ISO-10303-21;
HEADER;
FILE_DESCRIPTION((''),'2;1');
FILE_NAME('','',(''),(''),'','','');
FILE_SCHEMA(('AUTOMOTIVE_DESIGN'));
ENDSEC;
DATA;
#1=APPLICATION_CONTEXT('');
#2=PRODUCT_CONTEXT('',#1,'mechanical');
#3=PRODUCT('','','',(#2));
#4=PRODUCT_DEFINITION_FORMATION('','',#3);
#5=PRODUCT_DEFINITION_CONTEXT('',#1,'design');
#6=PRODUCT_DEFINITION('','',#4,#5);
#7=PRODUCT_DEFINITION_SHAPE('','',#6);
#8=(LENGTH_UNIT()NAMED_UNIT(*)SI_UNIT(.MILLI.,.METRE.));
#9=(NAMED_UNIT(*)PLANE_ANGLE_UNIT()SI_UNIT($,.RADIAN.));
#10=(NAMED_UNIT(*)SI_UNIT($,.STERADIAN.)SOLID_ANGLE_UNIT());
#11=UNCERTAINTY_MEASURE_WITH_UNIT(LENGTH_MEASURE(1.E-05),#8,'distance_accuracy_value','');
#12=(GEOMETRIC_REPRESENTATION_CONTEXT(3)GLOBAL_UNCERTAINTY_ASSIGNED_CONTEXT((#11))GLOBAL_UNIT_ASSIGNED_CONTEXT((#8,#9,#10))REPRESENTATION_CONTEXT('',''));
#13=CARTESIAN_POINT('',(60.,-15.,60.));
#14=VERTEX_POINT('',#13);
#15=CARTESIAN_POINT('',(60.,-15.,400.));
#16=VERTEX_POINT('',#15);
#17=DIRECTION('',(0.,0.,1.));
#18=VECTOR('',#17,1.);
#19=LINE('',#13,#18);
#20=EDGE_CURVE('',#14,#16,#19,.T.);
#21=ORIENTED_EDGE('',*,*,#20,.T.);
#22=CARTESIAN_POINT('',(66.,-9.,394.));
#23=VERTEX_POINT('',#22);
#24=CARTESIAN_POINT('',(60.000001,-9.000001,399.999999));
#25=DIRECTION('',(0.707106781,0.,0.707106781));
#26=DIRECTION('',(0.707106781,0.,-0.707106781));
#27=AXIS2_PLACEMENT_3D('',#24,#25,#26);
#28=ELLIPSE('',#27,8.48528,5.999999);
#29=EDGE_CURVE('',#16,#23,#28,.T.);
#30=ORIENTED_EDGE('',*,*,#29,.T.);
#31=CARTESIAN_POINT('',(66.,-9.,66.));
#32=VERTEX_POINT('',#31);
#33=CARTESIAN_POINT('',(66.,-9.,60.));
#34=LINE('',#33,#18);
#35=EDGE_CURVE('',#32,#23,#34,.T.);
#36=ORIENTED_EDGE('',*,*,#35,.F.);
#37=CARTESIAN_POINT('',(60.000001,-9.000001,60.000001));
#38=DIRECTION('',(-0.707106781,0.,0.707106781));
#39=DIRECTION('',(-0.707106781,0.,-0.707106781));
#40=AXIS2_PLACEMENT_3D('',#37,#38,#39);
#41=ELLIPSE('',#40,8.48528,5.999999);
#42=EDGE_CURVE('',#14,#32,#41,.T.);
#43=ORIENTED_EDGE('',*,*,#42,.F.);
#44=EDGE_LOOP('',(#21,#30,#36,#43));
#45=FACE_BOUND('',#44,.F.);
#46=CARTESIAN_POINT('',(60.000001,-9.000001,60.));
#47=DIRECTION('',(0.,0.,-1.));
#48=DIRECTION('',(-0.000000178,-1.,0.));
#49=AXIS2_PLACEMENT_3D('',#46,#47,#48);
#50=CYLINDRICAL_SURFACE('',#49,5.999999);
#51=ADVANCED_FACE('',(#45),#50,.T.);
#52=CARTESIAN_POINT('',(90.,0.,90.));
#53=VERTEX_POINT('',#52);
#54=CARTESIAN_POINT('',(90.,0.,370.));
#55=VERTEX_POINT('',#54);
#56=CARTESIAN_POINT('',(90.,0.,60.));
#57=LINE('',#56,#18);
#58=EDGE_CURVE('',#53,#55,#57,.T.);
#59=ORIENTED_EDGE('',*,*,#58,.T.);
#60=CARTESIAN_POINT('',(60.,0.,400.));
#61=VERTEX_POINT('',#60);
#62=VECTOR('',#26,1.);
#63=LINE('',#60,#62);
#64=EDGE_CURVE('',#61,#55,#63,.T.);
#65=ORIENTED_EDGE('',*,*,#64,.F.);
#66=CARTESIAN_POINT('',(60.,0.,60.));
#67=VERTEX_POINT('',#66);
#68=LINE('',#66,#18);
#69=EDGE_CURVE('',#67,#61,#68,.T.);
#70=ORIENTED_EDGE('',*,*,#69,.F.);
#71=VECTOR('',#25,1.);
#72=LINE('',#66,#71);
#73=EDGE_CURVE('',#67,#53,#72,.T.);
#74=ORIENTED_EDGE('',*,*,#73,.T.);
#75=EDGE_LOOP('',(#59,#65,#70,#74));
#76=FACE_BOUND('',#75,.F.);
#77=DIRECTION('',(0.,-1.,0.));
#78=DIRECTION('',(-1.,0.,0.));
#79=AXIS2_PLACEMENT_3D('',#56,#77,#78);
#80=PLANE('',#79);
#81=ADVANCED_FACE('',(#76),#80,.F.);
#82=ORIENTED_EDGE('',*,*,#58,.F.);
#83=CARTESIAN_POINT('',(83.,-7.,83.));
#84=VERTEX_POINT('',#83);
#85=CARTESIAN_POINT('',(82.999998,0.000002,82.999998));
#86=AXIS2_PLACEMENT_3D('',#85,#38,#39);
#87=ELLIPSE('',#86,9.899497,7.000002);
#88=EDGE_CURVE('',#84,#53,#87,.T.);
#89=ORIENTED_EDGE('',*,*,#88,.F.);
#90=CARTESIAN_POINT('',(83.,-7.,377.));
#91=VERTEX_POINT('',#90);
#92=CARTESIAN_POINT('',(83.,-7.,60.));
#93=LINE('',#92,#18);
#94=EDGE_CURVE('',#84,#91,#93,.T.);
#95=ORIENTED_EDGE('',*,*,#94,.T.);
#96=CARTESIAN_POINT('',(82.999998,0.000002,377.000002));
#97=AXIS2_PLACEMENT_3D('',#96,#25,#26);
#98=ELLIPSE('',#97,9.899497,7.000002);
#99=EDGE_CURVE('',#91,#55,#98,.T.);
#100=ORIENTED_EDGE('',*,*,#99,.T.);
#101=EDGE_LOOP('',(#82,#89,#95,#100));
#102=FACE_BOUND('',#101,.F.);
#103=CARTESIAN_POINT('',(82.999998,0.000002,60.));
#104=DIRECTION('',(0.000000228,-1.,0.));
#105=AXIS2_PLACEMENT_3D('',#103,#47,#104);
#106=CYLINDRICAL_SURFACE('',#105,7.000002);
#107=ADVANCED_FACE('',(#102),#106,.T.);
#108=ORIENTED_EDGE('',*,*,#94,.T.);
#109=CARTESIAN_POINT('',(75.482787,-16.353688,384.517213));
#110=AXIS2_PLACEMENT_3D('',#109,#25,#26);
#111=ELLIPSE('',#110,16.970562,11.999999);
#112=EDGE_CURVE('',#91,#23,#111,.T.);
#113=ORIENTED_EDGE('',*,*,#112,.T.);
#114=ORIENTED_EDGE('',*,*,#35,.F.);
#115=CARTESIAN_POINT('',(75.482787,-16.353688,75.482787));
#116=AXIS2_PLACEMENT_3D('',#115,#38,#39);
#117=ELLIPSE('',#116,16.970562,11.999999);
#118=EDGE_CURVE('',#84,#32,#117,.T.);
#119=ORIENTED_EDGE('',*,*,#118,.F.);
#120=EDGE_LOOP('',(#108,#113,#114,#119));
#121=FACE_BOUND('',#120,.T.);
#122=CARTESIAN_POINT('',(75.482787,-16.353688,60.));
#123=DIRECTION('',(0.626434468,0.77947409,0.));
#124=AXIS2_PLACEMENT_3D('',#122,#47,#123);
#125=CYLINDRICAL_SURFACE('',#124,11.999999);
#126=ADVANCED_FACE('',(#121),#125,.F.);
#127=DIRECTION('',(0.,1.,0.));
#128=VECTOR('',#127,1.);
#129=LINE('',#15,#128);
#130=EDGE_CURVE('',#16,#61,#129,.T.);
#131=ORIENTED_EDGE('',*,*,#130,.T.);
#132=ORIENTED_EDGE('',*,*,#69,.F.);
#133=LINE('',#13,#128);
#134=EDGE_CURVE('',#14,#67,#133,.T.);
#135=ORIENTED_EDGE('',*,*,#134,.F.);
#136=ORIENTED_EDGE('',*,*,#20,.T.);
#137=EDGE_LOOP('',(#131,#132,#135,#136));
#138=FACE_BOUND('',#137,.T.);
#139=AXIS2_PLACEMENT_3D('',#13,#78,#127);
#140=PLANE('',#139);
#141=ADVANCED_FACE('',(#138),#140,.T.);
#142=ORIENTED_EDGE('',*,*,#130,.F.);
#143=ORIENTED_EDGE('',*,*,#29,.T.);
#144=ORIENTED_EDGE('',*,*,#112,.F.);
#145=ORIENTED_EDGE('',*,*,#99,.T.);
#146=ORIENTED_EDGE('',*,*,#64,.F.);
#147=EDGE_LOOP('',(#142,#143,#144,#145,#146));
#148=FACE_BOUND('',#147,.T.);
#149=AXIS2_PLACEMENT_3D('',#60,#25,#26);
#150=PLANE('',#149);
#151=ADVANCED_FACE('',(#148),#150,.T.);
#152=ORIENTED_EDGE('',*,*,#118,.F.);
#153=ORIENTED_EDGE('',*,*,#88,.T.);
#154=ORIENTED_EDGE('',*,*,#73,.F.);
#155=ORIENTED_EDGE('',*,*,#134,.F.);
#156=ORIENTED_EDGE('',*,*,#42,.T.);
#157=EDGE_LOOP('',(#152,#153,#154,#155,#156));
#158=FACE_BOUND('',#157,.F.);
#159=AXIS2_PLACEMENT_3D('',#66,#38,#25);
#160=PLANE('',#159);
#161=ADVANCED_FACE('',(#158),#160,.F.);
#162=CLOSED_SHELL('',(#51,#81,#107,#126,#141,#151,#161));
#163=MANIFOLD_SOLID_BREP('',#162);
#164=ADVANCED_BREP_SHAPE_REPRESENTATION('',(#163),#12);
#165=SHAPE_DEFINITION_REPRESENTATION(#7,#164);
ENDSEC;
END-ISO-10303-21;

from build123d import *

# Parameters (mm, degrees)
PAD011_DEPTH = 40
PAD010_DEPTH = 40
PAD009_DEPTH = 340


with BuildPart() as body_decoration_left_cut_top:
    # Sketch011 → Pad011 (new body)
    with BuildSketch(Plane(origin=(60, 0, 400), x_dir=(1, 0, 0), z_dir=(0, -1, 0))):
        Polygon((0, 0), (40, -40), (40, 0), align=None)
    extrude(amount=PAD011_DEPTH)


with BuildPart() as body_decoration_left_cut_bottom:
    # Sketch010 → Pad010 (new body)
    with BuildSketch(Plane(origin=(60, 0, 60), x_dir=(1, 0, 0), z_dir=(0, -1, 0))):
        Polygon((0, 0), (40, 40), (40, 0), align=None)
    extrude(amount=PAD010_DEPTH)


with BuildPart() as cut_decoration_left:
    # Sketch009 → Pad009 (new body)
    with BuildSketch(Plane(origin=(60, 0, 60), x_dir=(1, 0, 0), z_dir=(0, 0, 1))):
        with BuildLine():
            Line((30, 0), (0, 0))
            Line((0, -15), (0, 0))
            ThreePointArc((0, -15), (4.242641, -13.242641), (6, -9))
            ThreePointArc((23, -7), (14.080692, -4.435882), (6, -9))
            ThreePointArc((23, -7), (27.949747, -4.949747), (30, 0))
        make_face()
    extrude(amount=PAD009_DEPTH)

    # Cut002: cut Body, Decoration, Left, Cut, Bottom
    add(body_decoration_left_cut_bottom.part, mode=Mode.SUBTRACT)

    # Cut003: cut Body, Decoration, Left, Cut, Top
    add(body_decoration_left_cut_top.part, mode=Mode.SUBTRACT)


solid = cut_decoration_left.part
